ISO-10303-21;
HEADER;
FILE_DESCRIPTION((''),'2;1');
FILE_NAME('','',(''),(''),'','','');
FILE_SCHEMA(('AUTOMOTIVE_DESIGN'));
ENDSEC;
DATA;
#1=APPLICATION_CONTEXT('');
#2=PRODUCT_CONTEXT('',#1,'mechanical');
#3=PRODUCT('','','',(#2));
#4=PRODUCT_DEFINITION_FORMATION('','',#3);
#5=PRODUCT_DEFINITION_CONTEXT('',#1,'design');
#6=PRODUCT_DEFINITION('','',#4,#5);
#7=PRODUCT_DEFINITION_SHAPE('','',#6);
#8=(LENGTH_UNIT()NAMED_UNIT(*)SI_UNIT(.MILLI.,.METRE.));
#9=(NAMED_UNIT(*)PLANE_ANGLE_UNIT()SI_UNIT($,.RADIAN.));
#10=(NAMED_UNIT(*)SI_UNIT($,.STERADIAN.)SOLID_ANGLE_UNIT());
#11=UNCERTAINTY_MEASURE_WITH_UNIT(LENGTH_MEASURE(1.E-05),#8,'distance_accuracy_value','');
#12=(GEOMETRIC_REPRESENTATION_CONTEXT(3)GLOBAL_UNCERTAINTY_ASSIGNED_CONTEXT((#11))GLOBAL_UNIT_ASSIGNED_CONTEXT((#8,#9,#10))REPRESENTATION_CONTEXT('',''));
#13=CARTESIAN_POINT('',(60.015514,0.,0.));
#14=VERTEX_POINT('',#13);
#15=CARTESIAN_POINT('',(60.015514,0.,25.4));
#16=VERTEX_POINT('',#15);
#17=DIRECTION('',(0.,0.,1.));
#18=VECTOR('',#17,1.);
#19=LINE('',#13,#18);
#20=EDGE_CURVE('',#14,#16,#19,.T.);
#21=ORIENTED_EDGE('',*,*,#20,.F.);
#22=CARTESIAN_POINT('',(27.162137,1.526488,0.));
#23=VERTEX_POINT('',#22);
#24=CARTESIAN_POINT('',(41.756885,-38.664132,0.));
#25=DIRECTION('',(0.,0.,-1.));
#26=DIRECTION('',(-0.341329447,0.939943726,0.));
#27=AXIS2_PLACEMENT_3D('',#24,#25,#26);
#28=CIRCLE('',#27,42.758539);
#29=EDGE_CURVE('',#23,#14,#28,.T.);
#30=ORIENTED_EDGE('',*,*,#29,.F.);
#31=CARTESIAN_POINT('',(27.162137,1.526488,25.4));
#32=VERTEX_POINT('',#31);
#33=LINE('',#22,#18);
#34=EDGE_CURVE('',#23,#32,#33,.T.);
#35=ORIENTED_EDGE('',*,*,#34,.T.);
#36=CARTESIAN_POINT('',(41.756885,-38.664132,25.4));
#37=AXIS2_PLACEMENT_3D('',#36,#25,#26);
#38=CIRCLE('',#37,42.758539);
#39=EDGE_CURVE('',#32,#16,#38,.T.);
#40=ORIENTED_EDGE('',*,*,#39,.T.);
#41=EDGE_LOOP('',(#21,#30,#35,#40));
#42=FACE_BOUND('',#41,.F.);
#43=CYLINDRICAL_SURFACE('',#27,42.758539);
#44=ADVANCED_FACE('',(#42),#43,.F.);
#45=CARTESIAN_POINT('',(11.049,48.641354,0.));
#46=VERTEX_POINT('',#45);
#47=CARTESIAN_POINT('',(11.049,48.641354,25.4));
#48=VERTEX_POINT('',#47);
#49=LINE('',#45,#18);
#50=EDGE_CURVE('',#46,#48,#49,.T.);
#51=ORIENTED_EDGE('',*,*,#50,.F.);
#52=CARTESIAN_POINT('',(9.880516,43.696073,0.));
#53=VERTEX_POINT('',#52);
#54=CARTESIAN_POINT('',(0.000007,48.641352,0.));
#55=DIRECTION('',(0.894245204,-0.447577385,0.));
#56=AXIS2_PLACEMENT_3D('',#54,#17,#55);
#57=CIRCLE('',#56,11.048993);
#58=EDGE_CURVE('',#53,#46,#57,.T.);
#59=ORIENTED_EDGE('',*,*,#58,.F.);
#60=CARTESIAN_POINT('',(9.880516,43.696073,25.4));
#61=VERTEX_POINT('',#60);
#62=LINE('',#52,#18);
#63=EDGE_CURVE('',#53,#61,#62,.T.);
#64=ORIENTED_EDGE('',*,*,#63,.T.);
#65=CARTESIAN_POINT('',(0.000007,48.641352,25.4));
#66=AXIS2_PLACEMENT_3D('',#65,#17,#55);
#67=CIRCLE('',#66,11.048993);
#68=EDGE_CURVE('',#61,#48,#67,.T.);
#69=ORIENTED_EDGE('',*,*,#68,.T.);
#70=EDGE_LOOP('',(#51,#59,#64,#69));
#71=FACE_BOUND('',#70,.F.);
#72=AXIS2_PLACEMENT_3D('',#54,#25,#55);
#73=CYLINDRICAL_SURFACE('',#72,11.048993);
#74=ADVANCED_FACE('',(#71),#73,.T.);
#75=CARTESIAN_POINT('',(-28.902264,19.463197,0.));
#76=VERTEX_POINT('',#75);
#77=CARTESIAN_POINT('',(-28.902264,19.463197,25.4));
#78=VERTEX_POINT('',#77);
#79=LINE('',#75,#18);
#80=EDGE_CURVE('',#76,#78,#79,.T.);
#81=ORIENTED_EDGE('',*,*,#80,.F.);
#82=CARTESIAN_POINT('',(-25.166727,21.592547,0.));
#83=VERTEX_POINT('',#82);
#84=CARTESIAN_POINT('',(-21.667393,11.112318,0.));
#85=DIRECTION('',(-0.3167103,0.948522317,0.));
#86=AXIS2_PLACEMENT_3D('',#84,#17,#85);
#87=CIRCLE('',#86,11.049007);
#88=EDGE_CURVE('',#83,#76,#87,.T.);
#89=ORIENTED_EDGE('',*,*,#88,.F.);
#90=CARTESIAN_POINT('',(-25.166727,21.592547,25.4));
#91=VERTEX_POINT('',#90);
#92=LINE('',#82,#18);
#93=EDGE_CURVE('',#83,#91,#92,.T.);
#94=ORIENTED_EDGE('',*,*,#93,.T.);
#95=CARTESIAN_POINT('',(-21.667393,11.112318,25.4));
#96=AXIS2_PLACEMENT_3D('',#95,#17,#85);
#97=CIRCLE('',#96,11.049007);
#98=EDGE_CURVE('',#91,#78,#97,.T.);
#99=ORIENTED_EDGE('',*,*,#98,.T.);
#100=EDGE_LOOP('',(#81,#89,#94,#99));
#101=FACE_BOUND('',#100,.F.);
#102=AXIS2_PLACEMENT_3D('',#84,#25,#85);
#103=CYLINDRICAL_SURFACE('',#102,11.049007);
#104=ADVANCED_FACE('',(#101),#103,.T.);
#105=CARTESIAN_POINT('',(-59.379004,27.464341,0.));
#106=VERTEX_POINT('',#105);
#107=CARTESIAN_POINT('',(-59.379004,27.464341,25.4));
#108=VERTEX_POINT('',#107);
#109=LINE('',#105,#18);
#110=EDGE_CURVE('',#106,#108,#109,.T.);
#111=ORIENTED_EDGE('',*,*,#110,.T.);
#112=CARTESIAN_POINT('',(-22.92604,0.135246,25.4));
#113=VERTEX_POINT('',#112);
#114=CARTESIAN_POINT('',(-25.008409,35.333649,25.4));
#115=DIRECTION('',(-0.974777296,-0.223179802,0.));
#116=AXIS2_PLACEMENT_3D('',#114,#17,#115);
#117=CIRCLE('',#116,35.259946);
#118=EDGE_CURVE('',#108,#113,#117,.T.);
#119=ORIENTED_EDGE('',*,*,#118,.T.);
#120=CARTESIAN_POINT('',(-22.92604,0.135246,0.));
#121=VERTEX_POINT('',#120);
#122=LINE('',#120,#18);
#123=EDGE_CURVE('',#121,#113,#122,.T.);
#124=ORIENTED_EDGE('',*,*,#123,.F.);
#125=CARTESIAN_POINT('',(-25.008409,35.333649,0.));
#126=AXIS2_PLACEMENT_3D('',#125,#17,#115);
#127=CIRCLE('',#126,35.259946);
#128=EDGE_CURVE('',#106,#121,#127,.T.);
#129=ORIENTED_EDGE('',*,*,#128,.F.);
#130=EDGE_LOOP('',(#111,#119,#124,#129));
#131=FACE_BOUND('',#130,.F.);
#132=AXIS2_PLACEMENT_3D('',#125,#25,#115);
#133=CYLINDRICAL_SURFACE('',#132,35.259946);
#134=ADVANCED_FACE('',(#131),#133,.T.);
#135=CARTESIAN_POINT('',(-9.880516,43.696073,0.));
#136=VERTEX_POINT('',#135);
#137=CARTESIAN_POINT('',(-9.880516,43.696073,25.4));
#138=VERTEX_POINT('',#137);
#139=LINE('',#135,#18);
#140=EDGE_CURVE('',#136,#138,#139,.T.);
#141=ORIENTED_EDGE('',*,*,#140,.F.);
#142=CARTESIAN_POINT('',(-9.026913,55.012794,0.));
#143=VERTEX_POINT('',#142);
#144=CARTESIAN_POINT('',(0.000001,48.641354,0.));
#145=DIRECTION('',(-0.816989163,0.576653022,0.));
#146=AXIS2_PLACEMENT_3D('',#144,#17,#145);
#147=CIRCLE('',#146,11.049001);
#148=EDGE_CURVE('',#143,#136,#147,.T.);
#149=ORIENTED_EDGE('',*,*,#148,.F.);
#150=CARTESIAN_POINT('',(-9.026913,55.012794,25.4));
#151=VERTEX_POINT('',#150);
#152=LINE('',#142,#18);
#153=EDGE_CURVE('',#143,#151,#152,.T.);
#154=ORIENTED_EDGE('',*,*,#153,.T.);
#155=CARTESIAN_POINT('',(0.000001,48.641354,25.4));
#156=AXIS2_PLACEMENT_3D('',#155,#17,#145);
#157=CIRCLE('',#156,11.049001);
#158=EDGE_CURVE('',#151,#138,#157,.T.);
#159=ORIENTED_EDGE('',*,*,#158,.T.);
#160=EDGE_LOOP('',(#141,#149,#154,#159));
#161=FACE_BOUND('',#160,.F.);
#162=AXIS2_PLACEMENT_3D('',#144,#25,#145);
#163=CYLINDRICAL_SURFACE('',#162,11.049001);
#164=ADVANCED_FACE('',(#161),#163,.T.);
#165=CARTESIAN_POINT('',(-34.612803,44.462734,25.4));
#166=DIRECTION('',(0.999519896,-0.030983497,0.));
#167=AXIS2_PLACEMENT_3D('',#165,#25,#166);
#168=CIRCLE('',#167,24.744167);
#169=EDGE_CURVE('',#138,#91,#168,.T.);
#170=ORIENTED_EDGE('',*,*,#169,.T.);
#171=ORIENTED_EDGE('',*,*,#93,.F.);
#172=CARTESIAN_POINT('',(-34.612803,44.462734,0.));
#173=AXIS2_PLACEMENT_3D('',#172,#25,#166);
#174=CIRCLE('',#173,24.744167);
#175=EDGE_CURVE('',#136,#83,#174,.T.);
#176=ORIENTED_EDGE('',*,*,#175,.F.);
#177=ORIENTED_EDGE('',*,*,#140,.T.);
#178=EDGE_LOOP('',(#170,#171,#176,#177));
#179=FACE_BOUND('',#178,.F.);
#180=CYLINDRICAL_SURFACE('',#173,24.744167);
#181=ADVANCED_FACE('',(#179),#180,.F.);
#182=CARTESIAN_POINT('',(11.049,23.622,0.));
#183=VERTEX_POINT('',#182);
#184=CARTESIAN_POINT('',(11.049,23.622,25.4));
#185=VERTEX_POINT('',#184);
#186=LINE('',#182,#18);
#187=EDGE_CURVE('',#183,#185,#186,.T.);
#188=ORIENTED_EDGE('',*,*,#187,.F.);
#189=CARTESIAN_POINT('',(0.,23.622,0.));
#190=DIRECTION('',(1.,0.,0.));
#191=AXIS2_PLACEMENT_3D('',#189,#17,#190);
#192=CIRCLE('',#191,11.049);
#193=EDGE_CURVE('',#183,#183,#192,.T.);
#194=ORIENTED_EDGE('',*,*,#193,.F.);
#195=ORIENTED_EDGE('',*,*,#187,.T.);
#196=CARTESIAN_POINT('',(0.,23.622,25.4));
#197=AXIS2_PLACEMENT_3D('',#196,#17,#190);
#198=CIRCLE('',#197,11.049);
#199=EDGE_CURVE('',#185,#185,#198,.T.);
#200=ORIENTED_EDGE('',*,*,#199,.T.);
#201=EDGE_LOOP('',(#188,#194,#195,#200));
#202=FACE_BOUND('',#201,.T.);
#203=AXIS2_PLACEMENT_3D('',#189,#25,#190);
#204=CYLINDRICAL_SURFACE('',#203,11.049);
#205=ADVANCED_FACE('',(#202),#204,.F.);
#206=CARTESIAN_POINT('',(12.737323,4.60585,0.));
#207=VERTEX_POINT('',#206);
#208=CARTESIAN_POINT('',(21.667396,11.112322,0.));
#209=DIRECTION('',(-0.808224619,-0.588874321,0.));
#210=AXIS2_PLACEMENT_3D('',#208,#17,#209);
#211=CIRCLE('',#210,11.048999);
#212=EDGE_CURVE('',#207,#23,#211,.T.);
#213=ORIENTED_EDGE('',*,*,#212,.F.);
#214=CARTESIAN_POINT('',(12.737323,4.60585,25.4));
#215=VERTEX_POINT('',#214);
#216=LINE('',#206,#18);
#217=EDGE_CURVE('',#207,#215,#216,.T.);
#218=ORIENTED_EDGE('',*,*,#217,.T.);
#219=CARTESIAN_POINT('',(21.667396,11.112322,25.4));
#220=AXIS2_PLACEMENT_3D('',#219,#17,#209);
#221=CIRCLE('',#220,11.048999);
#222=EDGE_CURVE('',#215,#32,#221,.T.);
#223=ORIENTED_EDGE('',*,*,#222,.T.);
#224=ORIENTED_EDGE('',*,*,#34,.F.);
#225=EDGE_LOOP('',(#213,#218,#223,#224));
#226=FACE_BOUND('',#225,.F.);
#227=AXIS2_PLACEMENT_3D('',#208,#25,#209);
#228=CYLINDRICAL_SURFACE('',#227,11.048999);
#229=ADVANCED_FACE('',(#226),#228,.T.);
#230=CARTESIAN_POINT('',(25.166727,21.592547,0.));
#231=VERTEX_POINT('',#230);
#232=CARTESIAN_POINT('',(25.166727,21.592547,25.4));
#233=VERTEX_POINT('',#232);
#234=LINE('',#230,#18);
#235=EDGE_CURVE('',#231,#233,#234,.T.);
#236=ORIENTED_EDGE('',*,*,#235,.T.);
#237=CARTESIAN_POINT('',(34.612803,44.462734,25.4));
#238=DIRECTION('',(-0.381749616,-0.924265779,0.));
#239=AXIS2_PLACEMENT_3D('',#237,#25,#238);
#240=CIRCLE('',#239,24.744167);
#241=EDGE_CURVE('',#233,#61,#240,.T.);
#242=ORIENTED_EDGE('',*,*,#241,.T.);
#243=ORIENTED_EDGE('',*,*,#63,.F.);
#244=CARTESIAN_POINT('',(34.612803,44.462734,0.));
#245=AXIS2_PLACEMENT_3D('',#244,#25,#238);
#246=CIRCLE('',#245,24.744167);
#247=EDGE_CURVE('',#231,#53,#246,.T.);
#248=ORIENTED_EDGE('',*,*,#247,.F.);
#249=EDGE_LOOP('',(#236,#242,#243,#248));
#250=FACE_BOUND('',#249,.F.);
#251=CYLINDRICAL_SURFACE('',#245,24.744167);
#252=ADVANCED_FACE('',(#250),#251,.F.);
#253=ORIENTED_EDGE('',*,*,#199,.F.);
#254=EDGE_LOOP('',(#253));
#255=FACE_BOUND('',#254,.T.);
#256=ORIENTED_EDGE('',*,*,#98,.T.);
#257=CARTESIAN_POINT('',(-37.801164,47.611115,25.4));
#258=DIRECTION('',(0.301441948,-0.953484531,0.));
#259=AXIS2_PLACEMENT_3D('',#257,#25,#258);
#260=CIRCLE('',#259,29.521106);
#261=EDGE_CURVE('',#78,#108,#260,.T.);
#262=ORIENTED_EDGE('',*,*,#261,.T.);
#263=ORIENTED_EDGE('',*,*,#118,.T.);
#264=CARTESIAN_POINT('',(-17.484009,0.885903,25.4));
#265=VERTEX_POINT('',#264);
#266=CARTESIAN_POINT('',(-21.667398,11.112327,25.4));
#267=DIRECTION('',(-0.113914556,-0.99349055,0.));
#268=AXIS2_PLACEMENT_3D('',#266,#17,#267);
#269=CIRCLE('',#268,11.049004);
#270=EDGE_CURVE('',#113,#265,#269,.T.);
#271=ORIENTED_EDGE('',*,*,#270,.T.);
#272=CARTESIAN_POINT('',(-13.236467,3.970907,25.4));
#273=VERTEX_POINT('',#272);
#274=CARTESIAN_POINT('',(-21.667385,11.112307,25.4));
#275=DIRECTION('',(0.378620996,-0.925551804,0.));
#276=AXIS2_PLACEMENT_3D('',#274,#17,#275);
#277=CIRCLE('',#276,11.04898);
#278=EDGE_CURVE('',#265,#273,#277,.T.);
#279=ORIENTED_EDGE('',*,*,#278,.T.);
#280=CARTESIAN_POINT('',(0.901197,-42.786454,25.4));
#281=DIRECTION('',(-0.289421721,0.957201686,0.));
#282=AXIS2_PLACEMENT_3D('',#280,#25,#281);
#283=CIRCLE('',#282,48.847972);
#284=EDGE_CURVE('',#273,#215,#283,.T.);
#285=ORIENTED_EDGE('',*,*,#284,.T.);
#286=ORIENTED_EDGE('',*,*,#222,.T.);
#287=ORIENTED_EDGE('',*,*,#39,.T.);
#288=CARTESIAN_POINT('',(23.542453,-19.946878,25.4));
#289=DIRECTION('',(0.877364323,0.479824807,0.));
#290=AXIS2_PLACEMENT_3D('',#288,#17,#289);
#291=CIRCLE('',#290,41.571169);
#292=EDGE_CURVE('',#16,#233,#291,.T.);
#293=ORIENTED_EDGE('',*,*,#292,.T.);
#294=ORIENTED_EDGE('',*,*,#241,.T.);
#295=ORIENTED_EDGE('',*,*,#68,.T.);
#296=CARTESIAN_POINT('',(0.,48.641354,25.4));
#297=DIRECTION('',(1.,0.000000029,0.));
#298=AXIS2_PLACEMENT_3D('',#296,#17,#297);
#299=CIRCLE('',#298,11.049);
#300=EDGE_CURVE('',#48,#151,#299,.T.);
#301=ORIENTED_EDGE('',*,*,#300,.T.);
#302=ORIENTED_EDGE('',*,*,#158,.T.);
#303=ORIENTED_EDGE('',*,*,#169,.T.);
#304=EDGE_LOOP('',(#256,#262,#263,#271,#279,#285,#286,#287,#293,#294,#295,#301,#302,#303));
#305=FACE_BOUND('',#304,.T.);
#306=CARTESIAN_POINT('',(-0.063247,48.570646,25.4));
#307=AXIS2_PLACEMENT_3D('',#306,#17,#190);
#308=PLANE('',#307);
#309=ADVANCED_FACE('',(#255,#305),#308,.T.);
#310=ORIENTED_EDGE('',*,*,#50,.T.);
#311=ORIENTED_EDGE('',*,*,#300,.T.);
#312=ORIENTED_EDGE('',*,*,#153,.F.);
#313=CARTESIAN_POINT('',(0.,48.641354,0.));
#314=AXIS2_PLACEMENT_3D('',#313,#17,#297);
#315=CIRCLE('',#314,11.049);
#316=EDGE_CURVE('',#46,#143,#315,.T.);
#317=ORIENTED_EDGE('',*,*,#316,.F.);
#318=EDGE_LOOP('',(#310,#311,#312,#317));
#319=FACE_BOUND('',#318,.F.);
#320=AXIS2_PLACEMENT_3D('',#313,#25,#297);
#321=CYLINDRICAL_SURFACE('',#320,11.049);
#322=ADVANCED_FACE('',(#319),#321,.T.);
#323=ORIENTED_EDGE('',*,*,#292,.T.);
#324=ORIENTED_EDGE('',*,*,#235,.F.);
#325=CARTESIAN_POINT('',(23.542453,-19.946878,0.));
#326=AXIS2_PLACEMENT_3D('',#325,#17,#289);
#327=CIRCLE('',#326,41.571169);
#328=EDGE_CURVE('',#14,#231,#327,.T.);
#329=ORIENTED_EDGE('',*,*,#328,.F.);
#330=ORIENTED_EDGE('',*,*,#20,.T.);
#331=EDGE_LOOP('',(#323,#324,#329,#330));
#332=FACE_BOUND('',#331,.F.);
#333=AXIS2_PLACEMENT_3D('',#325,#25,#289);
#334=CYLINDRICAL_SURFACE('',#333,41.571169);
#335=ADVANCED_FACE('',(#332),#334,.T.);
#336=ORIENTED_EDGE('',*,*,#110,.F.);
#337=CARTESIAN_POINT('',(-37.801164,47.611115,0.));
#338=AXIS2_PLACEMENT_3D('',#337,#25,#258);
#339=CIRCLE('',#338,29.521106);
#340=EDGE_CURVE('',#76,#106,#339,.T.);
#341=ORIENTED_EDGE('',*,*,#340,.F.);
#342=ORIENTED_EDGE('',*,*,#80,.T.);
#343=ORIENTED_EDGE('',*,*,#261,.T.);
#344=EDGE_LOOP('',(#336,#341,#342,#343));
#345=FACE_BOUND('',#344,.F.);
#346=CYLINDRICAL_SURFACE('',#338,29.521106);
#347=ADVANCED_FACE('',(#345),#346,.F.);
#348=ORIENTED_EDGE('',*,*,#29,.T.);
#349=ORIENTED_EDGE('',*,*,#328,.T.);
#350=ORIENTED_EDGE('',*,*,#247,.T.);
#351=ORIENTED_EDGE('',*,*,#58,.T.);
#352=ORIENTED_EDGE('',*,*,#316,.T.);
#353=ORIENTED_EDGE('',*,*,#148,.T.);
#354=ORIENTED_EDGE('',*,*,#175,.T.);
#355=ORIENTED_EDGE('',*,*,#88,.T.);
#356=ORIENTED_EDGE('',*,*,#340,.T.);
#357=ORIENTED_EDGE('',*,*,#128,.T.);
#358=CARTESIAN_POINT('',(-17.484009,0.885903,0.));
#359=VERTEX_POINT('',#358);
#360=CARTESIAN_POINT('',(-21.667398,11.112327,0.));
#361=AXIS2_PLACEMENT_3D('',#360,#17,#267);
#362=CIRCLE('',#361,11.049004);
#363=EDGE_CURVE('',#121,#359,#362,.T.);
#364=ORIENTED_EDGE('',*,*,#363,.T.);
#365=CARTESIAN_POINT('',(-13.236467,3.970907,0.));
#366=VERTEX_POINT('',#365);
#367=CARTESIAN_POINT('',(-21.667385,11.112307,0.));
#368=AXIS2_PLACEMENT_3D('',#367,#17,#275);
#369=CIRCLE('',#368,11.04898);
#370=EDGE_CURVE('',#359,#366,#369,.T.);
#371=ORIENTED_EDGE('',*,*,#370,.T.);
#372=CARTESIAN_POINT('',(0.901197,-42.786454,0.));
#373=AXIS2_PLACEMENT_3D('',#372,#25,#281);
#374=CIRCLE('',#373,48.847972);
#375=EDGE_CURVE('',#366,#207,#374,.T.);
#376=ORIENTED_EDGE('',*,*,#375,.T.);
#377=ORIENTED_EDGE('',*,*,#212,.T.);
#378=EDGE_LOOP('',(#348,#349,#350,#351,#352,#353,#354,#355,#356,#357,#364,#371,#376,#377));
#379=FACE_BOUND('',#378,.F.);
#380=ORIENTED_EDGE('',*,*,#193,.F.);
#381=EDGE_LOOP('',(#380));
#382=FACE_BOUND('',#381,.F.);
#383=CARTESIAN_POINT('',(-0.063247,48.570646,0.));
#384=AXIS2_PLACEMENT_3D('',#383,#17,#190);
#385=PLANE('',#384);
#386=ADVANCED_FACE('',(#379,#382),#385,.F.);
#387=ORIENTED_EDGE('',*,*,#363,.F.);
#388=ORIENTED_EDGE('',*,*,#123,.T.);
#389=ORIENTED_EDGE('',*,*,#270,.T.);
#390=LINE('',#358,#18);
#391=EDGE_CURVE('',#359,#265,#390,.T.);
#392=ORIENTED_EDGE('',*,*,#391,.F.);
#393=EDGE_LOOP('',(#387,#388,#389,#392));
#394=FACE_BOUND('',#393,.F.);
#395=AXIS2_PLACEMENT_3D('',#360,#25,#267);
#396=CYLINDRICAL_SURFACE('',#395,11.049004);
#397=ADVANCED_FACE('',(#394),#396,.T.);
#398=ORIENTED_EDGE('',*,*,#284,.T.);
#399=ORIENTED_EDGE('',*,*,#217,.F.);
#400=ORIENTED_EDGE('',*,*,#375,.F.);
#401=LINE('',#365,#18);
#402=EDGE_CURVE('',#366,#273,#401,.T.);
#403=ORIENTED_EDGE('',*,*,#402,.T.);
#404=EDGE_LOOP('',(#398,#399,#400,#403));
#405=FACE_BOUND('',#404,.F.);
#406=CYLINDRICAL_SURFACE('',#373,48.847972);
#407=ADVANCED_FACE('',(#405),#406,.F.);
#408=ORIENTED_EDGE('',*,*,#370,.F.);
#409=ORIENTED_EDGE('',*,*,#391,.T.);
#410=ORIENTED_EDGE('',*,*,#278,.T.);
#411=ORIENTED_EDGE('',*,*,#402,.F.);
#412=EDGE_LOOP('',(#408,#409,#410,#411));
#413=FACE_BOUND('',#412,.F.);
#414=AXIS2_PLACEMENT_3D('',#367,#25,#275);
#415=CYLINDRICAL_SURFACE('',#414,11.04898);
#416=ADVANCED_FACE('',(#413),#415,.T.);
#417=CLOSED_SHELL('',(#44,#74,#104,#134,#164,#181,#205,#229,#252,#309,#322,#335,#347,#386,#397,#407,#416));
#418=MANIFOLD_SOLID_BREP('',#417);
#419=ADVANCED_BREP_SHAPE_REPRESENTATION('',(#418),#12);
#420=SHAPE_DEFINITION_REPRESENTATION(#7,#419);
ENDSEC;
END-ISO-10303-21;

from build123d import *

# Parameters (mm, degrees)
F0_R     = 11.049
F1_DEPTH = 25.4


with BuildPart() as f1:
    # F0 (on Top) → F1 (new body)
    with BuildSketch(Plane.XY):
        with BuildLine():
            ThreePointArc((9.880516, 43.696073), (10.752912, 46.100628), (11.049, 48.641354))
            ThreePointArc((11.049, 48.641354), (3.342308, 59.172706), (-9.026913, 55.012794))
            ThreePointArc((-9.026913, 55.012794), (-11.017702, 49.472403), (-9.880516, 43.696073))
            ThreePointArc((-9.880516, 43.696073), (0, 37.592354), (9.880516, 43.696073))
        make_face()
        with BuildLine():
            ThreePointArc((25.166727, 21.592547), (14.261351, 30.388211), (9.880516, 43.696073))
            ThreePointArc((9.880516, 43.696073), (0, 37.592354), (-9.880516, 43.696073))
            ThreePointArc((-9.880516, 43.696073), (-14.261351, 30.388211), (-25.166727, 21.592547))
            ThreePointArc((-25.166727, 21.592547), (-15.209211, 20.07738), (-10.618396, 11.112323))
            ThreePointArc((-10.618396, 11.112323), (-11.293541, 7.309228), (-13.236467, 3.970907))
            ThreePointArc((-13.236467, 3.970907), (-0.292561, 6.046929), (12.737323, 4.60585))
            ThreePointArc((12.737323, 4.60585), (12.750546, 17.636907), (25.166727, 21.592547))
        make_face()
        with Locations((0, 23.622)):
            Circle(F0_R, mode=Mode.SUBTRACT)
        with BuildLine():
            ThreePointArc((60.015514, 0), (45.437915, 15.390791), (25.166727, 21.592547))
            ThreePointArc((25.166727, 21.592547), (30.632453, 17.570508), (32.716396, 11.112323))
            ThreePointArc((32.716396, 11.112323), (31.227516, 5.572963), (27.162137, 1.526488))
            ThreePointArc((27.162137, 1.526488), (43.741463, 4.048326), (60.015514, 0))
        make_face()
        with BuildLine():
            ThreePointArc((32.716396, 11.112323), (30.632453, 17.570508), (25.166727, 21.592547))
            ThreePointArc((25.166727, 21.592547), (12.750546, 17.636907), (12.737323, 4.60585))
            ThreePointArc((12.737323, 4.60585), (19.360668, 0.306796), (27.162137, 1.526488))
            ThreePointArc((27.162137, 1.526488), (31.227516, 5.572963), (32.716396, 11.112323))
        make_face()
        with BuildLine():
            ThreePointArc((-10.618396, 11.112323), (-15.209211, 20.07738), (-25.166727, 21.592547))
            ThreePointArc((-25.166727, 21.592547), (-27.139076, 20.71134), (-28.902264, 19.463197))
            ThreePointArc((-28.902264, 19.463197), (-32.223312, 7.848423), (-22.92604, 0.135246))
            ThreePointArc((-22.92604, 0.135246), (-20.190383, 0.404429), (-17.484009, 0.885903))
            ThreePointArc((-17.484009, 0.885903), (-15.174357, 2.172477), (-13.236467, 3.970907))
            ThreePointArc((-13.236467, 3.970907), (-11.293541, 7.309228), (-10.618396, 11.112323))
        make_face()
        with BuildLine():
            ThreePointArc((-22.92604, 0.135246), (-32.223312, 7.848423), (-28.902264, 19.463197))
            ThreePointArc((-28.902264, 19.463197), (-45.297393, 19.057617), (-59.379004, 27.464341))
            ThreePointArc((-59.379004, 27.464341), (-46.159112, 7.121744), (-22.92604, 0.135246))
        make_face()
        with BuildLine():
            ThreePointArc((-17.484009, 0.885903), (-20.190383, 0.404429), (-22.92604, 0.135246))
            ThreePointArc((-22.92604, 0.135246), (-20.157627, 0.166959), (-17.484009, 0.885903))
        make_face()
    extrude(amount=F1_DEPTH)


solid = f1.part
